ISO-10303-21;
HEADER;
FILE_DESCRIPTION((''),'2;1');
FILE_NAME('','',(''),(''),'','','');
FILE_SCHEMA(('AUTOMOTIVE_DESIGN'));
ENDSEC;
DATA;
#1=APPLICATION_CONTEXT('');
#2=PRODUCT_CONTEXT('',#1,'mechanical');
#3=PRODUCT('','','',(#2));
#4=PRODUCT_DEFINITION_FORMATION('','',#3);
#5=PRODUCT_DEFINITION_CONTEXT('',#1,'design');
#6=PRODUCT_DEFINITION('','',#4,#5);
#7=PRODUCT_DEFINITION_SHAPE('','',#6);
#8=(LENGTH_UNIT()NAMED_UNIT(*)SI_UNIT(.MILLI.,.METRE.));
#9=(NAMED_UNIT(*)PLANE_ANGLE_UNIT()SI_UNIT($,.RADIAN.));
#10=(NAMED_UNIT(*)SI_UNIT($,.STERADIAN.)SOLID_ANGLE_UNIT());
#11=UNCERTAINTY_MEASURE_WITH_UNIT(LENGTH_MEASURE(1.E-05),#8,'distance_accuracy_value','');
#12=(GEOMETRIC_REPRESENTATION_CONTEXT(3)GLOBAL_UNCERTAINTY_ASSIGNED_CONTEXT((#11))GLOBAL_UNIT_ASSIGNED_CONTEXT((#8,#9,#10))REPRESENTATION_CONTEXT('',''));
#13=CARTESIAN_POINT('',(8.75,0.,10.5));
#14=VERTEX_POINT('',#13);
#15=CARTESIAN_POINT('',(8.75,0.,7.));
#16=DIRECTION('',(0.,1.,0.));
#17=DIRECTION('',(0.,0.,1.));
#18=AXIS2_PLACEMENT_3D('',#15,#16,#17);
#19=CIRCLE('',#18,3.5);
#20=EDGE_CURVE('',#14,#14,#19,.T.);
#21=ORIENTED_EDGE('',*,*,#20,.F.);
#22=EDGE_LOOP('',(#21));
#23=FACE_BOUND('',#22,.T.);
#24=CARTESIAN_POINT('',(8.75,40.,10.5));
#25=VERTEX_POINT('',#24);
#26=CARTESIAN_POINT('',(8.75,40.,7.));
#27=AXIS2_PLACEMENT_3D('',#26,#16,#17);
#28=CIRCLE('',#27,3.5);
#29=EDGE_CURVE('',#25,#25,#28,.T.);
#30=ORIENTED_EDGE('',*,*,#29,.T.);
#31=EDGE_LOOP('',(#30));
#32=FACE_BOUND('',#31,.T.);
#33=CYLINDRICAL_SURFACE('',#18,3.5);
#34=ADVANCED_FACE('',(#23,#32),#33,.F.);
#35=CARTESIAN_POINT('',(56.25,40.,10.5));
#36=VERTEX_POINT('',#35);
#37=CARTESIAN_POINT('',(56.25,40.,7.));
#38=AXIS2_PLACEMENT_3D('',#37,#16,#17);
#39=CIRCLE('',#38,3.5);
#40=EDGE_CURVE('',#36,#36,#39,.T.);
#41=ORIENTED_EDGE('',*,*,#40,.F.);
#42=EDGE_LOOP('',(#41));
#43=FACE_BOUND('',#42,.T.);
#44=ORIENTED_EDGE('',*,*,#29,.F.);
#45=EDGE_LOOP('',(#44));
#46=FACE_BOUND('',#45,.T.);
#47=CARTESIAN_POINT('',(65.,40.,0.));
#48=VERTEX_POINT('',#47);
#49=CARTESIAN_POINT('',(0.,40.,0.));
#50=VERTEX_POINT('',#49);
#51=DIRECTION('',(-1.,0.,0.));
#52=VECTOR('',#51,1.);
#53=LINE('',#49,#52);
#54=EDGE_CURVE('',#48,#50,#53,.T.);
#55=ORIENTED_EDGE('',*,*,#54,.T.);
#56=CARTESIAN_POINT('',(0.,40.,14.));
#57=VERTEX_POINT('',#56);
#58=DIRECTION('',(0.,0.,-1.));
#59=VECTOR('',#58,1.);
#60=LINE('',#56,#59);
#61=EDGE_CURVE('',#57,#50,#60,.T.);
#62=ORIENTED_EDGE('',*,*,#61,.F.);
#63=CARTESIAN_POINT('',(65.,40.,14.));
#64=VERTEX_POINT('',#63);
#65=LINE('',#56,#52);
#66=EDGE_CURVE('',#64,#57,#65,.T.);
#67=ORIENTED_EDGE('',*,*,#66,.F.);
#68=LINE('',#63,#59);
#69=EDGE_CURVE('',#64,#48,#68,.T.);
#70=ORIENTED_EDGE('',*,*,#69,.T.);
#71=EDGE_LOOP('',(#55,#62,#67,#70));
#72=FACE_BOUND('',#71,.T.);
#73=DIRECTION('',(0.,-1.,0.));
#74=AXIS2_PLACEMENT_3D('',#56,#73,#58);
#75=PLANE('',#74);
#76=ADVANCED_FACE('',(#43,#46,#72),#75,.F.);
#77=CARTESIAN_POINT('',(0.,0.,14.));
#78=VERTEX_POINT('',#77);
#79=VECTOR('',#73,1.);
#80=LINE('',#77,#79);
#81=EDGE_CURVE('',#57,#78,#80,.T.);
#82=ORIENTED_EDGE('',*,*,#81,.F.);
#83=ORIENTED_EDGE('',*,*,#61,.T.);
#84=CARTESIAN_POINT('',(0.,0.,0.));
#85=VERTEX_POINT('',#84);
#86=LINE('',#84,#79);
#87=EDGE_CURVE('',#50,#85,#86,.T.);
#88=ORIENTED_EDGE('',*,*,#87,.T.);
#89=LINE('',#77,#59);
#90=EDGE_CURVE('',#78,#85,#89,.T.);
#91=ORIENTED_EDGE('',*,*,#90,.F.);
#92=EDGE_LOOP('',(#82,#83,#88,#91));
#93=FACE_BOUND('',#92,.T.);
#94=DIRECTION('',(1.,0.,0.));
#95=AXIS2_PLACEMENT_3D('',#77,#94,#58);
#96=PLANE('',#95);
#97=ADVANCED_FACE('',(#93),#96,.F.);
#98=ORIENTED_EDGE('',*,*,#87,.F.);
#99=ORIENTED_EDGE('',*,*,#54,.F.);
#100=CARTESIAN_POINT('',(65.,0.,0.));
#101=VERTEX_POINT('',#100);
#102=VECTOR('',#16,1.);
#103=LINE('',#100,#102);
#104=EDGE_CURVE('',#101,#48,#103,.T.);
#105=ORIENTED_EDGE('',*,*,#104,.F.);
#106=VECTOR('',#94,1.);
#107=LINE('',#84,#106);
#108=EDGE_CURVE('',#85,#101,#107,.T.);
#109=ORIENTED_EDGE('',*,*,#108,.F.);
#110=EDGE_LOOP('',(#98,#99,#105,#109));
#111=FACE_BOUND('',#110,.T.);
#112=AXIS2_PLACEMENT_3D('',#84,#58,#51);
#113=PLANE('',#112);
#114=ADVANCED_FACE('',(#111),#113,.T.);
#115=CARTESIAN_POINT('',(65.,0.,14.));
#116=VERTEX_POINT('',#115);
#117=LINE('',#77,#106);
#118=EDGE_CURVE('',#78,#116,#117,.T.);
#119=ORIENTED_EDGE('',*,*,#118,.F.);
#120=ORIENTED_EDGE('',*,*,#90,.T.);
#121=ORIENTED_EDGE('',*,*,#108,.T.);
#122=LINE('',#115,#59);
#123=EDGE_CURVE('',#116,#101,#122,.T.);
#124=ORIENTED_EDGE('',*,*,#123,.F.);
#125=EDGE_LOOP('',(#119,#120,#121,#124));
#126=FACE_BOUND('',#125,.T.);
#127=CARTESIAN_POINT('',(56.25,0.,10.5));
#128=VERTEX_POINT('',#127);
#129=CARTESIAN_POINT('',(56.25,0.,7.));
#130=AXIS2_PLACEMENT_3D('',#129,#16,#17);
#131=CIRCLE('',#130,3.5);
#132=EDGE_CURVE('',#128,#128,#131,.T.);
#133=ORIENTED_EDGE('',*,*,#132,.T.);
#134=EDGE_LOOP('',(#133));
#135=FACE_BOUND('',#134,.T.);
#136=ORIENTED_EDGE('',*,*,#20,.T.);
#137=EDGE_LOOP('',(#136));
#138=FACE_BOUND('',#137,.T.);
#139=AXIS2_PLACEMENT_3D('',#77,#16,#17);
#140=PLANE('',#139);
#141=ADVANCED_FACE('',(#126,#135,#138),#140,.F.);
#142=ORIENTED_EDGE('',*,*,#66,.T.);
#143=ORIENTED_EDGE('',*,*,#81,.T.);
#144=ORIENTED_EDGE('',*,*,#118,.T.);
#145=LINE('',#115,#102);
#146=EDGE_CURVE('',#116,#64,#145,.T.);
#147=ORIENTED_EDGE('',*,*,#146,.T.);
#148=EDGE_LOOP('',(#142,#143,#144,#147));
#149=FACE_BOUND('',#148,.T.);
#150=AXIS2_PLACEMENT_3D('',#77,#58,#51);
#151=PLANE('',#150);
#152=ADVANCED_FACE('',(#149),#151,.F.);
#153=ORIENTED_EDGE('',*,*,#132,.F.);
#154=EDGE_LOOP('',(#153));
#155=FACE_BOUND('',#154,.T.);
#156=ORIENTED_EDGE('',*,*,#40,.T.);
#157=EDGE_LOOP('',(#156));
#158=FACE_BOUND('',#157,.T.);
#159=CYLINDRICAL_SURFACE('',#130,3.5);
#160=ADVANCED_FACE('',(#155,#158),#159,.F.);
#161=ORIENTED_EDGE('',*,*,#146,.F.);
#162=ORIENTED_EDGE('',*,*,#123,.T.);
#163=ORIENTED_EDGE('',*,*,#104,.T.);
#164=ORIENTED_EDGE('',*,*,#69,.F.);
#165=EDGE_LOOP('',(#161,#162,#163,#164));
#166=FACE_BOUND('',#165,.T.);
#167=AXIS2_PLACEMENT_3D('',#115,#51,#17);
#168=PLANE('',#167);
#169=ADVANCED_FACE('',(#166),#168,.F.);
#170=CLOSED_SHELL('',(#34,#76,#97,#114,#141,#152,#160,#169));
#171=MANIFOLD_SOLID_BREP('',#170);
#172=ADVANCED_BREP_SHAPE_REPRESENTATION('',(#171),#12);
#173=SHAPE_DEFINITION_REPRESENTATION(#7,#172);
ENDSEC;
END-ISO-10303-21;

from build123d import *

# Parameters (mm, degrees)
SKETCH1_W      = 65
SKETCH1_H      = 40
EXTRUDE1_DEPTH = 14
SKETCH2_R      = 3.5
EXTRUDE2_DEPTH = 41


with BuildPart() as part:
    # Sketch1 → Extrude1 (new body)
    with BuildSketch(Plane.XY):
        with Locations((32.5, 20)):
            Rectangle(SKETCH1_W, SKETCH1_H)
    extrude(amount=EXTRUDE1_DEPTH)

    # Sketch2 → Extrude2 (cut, through all)
    with BuildSketch(Plane(origin=(0, 40, 0), x_dir=(1, 0, 0), z_dir=(0, 1, 0))):
        with Locations(Location((8.75, -7, 0), (0, 0, 270))):  # turned: the seam where the file's is
            Circle(SKETCH2_R)
        with Locations(Location((56.25, -7, 0), (0, 0, 270))):  # turned: the seam where the file's is
            Circle(SKETCH2_R)
    extrude(amount=-EXTRUDE2_DEPTH, mode=Mode.SUBTRACT)


solid = part.part
